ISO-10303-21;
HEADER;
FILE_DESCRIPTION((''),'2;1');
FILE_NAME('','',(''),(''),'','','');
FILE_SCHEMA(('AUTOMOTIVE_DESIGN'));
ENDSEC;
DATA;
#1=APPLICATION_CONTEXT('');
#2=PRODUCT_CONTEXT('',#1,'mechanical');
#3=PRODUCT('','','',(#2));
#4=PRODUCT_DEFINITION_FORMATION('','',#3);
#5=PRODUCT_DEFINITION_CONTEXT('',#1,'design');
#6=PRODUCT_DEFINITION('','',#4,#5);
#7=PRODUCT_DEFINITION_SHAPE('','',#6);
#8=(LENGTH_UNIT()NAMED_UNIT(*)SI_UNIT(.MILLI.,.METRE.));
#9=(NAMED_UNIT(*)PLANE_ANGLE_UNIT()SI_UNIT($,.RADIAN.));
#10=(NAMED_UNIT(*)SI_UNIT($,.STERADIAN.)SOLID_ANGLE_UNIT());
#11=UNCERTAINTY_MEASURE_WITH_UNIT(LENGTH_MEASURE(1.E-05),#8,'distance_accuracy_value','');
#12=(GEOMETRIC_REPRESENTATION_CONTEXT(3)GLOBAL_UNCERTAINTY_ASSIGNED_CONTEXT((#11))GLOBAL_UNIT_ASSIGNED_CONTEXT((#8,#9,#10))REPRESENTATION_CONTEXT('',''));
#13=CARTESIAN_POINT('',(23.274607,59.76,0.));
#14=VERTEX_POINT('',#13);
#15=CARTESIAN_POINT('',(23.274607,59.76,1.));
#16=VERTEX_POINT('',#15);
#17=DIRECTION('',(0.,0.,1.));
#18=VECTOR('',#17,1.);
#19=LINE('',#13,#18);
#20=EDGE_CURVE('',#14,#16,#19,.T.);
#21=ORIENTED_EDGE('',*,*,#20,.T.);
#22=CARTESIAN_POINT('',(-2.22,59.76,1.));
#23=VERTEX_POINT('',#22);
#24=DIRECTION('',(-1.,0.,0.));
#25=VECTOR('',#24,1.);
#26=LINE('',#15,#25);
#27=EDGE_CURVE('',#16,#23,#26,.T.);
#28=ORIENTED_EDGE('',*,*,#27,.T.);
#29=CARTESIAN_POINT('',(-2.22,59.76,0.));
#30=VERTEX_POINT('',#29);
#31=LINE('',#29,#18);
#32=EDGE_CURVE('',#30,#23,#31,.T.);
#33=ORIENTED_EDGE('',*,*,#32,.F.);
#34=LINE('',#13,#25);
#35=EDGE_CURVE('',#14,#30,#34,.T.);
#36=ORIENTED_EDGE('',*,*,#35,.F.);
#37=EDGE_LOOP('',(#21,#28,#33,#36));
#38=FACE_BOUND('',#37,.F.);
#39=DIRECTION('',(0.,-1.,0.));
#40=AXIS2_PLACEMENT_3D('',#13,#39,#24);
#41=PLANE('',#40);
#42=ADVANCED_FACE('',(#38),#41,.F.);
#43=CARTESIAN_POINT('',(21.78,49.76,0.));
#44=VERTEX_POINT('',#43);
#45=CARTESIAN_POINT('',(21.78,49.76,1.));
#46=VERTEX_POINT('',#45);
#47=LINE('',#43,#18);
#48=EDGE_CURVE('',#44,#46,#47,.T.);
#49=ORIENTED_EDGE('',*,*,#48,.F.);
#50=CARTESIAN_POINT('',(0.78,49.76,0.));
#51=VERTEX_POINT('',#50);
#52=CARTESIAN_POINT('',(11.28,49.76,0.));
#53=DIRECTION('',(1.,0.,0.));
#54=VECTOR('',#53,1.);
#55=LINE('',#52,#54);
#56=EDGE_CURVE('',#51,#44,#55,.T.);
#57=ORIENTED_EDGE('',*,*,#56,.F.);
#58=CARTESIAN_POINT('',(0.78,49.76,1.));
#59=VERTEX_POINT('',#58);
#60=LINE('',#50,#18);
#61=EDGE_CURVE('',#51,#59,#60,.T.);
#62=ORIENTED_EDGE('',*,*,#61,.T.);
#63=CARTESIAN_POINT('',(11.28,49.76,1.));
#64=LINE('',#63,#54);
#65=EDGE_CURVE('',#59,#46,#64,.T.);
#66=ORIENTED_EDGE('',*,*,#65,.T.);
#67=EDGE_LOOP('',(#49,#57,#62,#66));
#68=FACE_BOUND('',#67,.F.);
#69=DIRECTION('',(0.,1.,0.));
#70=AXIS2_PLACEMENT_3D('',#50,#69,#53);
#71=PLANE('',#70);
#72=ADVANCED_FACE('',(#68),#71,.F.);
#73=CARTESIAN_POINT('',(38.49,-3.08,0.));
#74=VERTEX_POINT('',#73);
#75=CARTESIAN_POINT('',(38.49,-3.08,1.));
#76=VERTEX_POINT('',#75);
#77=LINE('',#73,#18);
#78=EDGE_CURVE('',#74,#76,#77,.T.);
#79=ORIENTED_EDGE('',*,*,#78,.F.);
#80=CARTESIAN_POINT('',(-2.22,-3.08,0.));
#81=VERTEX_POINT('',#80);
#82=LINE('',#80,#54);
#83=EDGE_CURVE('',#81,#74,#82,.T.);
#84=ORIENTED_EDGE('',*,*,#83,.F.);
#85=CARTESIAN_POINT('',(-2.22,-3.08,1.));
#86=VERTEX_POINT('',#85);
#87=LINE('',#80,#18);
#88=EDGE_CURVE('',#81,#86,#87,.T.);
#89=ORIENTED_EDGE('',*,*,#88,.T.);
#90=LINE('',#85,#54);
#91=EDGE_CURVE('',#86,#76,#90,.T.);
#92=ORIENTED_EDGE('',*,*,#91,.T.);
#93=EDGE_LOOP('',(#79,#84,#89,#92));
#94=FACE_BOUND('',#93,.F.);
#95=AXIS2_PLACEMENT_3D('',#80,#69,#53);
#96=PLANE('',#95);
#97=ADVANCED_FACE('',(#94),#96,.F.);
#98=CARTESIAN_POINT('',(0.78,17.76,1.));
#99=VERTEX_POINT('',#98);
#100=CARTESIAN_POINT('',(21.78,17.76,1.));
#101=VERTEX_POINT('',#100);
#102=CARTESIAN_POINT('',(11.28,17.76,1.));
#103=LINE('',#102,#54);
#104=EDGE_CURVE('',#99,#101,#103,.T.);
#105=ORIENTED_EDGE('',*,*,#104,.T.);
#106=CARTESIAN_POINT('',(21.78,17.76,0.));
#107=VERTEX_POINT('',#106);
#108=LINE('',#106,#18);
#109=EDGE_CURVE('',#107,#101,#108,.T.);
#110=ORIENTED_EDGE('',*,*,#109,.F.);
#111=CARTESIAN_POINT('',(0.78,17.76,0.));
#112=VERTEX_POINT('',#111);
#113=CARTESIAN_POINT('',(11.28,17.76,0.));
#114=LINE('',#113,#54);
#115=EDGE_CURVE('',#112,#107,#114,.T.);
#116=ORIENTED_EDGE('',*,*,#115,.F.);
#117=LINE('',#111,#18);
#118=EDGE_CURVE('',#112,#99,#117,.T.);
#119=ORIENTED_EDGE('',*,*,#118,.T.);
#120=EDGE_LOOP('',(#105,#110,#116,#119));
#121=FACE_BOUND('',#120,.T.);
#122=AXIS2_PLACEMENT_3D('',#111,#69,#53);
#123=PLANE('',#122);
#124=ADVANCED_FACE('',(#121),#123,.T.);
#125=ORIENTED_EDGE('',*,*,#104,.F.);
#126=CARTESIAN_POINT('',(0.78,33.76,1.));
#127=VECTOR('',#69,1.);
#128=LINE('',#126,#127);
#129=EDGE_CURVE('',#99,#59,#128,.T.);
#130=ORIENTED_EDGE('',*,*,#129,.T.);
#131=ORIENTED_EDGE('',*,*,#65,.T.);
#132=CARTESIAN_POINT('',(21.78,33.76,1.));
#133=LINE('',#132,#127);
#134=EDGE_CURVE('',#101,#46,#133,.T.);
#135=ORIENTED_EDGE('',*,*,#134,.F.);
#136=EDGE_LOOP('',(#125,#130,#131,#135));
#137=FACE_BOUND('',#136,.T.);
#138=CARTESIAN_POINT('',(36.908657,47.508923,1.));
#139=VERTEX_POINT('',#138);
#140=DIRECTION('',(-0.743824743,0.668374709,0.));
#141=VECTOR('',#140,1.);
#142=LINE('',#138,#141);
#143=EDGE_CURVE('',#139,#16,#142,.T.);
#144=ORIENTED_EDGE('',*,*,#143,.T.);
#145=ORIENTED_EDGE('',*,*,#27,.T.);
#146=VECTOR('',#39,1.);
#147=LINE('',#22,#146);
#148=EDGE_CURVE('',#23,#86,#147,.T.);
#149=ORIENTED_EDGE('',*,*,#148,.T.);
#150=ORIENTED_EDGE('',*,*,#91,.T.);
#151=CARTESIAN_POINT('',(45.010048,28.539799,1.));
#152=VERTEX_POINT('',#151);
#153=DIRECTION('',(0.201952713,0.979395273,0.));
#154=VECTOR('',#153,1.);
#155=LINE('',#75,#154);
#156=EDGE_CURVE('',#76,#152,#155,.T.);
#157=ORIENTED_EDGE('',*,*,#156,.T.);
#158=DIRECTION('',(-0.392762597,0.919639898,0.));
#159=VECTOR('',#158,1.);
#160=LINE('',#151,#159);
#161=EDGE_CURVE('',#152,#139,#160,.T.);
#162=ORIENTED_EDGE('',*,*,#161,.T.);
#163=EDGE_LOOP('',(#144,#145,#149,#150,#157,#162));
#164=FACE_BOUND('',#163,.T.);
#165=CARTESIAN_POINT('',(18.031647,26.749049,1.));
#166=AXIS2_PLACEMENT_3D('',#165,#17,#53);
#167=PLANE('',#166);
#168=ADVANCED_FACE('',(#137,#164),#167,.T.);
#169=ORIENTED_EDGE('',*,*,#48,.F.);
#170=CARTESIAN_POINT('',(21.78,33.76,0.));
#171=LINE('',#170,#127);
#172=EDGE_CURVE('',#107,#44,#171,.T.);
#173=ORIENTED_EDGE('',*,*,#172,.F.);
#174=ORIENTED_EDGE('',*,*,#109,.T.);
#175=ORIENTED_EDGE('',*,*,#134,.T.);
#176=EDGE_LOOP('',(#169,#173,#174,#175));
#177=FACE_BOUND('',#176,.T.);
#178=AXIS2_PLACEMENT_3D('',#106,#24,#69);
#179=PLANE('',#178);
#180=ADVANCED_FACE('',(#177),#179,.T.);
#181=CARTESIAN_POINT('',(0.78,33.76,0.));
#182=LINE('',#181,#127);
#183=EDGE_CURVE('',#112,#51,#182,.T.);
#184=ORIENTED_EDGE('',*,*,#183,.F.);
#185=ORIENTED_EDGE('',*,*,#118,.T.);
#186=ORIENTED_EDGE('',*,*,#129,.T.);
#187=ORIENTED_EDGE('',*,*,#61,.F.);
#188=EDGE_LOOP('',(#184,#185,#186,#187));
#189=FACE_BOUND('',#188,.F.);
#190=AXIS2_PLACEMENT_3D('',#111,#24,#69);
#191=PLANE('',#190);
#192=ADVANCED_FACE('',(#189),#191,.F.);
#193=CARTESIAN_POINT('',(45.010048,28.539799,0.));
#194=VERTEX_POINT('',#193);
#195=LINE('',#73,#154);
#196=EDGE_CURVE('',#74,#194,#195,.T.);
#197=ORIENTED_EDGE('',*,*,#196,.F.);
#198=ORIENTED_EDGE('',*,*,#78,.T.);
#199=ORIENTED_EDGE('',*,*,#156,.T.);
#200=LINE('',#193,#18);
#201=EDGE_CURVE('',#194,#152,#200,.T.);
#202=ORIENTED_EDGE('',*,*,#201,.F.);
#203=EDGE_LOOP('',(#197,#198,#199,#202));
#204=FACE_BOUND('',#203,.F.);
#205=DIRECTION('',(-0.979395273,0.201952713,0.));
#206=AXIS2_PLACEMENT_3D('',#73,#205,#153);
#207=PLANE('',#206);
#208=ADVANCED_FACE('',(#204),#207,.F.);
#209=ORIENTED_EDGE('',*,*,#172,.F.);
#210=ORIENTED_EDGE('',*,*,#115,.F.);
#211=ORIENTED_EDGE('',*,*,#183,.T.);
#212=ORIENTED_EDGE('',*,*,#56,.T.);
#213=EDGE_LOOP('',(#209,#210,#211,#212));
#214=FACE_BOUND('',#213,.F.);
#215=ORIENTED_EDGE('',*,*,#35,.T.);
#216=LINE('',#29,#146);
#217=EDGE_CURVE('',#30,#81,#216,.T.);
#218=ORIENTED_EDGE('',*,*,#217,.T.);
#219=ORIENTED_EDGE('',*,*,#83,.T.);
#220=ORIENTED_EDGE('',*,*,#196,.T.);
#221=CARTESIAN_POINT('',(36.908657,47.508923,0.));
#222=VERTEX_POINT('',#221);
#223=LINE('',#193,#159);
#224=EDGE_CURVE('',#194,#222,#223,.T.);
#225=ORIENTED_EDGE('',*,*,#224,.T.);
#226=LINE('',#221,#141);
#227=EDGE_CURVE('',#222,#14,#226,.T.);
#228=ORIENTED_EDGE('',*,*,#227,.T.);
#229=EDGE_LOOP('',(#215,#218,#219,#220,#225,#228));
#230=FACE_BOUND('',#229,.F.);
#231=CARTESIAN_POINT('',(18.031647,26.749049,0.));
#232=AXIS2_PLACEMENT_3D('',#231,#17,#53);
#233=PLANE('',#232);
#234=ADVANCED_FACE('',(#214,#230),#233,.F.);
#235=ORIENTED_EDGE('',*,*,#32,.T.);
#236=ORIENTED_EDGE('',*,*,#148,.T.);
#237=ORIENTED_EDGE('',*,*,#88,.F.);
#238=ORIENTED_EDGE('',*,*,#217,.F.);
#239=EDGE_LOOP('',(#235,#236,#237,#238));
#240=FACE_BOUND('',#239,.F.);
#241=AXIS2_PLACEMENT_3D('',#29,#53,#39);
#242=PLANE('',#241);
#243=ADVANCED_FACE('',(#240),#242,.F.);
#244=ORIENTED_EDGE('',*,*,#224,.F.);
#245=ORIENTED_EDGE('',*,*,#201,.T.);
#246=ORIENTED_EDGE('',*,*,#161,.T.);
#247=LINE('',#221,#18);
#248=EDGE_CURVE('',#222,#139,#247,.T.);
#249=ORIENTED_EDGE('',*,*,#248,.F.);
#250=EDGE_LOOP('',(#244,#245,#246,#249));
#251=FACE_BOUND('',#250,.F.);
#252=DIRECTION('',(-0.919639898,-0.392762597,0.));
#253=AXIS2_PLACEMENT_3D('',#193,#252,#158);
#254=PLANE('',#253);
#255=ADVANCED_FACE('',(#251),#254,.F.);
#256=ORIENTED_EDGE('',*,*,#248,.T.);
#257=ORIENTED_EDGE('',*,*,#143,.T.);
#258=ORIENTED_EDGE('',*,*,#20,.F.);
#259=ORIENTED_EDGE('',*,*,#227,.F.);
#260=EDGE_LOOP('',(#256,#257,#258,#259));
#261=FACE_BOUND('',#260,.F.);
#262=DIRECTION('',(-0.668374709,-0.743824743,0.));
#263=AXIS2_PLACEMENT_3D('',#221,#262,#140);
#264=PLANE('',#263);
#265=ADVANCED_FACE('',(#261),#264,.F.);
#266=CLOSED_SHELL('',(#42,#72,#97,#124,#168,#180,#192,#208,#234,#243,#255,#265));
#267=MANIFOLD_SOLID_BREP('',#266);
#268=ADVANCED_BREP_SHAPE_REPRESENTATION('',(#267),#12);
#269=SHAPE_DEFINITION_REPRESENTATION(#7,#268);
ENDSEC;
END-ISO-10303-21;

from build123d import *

# Parameters (mm, degrees)
SKETCH_W  = 21
SKETCH_H  = 32
PAD_DEPTH = 1


with BuildPart() as part:
    # Sketch → Pad (new body)
    with BuildSketch(Plane.XY):
        Polygon((-2.22, 59.76), (-2.22, -3.08), (38.49, -3.08), (45.010048, 28.539799), (36.908657, 47.508923), (23.274607, 59.76), align=None)
        with Locations((11.28, 33.76)):
            Rectangle(SKETCH_W, SKETCH_H, mode=Mode.SUBTRACT)
    extrude(amount=PAD_DEPTH)


solid = part.part
